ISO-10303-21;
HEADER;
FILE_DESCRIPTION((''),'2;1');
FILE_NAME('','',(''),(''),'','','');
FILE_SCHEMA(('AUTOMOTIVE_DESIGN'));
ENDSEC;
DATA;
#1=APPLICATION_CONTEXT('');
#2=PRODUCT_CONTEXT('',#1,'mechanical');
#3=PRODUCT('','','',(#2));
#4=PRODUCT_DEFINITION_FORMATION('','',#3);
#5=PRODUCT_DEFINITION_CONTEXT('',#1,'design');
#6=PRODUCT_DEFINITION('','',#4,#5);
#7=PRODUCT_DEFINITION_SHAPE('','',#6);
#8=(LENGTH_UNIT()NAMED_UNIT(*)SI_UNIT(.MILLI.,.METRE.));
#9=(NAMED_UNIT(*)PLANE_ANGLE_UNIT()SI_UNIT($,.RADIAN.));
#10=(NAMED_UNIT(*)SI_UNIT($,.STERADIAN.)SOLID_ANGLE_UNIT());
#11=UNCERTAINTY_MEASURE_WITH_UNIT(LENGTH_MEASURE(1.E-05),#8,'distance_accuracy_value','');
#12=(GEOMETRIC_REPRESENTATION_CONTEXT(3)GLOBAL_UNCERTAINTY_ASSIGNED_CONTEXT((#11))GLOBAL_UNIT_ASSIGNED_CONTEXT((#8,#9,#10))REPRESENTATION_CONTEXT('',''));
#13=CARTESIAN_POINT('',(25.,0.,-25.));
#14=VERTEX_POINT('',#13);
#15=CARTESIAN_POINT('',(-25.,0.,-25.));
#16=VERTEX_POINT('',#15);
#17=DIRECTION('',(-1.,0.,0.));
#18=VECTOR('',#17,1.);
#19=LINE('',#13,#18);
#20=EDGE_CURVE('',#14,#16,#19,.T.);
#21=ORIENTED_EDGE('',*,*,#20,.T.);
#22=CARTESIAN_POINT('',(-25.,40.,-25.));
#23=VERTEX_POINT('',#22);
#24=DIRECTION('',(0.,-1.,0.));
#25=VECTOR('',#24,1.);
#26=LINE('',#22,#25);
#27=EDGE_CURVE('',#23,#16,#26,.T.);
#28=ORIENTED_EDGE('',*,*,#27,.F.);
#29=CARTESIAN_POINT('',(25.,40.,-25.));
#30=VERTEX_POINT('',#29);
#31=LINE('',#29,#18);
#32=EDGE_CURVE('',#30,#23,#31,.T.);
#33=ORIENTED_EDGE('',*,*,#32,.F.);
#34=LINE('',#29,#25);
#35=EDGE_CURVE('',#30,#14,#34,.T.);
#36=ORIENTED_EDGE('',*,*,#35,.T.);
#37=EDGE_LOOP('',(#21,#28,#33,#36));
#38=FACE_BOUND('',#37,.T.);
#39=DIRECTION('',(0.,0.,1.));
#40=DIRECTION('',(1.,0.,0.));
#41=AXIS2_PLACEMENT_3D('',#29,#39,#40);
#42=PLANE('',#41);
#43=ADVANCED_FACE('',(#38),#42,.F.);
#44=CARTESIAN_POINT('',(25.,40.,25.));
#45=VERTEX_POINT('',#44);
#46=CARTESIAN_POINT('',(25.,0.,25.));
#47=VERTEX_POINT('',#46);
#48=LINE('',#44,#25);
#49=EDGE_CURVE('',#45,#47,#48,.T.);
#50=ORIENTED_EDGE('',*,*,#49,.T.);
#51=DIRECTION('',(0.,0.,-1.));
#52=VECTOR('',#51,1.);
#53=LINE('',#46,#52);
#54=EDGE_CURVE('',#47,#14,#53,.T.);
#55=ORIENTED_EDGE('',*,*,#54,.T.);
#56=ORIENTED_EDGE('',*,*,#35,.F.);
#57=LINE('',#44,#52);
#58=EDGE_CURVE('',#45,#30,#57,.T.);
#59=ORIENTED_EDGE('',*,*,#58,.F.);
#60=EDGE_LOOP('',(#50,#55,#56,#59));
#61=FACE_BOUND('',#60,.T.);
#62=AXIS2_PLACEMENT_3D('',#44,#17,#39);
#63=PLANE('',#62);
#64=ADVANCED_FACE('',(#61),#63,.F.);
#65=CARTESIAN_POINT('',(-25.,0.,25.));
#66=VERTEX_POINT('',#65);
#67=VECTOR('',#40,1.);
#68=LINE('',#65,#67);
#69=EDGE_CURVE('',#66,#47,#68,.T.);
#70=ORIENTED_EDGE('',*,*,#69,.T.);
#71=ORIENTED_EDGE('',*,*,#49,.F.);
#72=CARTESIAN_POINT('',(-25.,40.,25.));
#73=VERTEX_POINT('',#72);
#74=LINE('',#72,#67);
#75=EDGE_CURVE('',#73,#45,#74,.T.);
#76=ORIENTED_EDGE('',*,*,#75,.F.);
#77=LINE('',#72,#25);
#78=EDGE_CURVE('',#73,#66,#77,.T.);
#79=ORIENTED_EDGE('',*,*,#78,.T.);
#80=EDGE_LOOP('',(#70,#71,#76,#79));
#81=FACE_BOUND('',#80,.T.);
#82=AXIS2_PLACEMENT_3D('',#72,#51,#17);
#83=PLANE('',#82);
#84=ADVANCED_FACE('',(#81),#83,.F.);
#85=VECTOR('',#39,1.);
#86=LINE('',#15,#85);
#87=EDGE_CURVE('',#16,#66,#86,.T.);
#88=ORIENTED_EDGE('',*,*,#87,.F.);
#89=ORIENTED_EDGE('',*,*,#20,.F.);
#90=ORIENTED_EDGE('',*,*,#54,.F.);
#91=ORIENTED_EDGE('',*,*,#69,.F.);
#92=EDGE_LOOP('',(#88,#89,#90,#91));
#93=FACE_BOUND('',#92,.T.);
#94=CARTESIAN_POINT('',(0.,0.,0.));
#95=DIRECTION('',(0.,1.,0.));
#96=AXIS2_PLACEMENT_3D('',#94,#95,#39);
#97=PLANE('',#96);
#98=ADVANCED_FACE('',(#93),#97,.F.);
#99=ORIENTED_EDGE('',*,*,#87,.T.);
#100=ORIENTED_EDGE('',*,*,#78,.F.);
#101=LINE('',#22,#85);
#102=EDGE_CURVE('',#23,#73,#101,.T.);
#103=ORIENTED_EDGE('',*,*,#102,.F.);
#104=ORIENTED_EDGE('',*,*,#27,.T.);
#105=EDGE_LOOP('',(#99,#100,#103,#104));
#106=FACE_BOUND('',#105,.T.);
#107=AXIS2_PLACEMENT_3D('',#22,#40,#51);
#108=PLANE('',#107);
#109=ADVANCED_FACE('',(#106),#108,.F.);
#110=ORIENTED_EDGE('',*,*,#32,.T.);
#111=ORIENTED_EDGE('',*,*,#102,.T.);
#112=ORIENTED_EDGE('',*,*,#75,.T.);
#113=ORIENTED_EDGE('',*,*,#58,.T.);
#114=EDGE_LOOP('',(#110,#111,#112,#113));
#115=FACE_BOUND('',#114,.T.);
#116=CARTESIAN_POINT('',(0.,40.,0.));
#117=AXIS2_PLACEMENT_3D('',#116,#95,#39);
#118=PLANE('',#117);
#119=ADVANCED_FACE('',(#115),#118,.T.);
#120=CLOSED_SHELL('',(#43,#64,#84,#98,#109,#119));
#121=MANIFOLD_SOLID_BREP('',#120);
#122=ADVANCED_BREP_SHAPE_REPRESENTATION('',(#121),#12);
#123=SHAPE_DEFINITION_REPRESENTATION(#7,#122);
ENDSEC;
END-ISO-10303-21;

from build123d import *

# Parameters (mm, degrees)
SK_P01_BOX_W  = 50
SK_P01_BOX_H  = 50
P01_BOX_DEPTH = 40


with BuildPart() as part:
    # SK_P01_box → P01_box (new body)
    with BuildSketch(Plane(origin=(0, 0, 0), x_dir=(1, 0, 0), z_dir=(0, 1, 0))):
        Rectangle(SK_P01_BOX_W, SK_P01_BOX_H)
    extrude(amount=P01_BOX_DEPTH)


solid = part.part
